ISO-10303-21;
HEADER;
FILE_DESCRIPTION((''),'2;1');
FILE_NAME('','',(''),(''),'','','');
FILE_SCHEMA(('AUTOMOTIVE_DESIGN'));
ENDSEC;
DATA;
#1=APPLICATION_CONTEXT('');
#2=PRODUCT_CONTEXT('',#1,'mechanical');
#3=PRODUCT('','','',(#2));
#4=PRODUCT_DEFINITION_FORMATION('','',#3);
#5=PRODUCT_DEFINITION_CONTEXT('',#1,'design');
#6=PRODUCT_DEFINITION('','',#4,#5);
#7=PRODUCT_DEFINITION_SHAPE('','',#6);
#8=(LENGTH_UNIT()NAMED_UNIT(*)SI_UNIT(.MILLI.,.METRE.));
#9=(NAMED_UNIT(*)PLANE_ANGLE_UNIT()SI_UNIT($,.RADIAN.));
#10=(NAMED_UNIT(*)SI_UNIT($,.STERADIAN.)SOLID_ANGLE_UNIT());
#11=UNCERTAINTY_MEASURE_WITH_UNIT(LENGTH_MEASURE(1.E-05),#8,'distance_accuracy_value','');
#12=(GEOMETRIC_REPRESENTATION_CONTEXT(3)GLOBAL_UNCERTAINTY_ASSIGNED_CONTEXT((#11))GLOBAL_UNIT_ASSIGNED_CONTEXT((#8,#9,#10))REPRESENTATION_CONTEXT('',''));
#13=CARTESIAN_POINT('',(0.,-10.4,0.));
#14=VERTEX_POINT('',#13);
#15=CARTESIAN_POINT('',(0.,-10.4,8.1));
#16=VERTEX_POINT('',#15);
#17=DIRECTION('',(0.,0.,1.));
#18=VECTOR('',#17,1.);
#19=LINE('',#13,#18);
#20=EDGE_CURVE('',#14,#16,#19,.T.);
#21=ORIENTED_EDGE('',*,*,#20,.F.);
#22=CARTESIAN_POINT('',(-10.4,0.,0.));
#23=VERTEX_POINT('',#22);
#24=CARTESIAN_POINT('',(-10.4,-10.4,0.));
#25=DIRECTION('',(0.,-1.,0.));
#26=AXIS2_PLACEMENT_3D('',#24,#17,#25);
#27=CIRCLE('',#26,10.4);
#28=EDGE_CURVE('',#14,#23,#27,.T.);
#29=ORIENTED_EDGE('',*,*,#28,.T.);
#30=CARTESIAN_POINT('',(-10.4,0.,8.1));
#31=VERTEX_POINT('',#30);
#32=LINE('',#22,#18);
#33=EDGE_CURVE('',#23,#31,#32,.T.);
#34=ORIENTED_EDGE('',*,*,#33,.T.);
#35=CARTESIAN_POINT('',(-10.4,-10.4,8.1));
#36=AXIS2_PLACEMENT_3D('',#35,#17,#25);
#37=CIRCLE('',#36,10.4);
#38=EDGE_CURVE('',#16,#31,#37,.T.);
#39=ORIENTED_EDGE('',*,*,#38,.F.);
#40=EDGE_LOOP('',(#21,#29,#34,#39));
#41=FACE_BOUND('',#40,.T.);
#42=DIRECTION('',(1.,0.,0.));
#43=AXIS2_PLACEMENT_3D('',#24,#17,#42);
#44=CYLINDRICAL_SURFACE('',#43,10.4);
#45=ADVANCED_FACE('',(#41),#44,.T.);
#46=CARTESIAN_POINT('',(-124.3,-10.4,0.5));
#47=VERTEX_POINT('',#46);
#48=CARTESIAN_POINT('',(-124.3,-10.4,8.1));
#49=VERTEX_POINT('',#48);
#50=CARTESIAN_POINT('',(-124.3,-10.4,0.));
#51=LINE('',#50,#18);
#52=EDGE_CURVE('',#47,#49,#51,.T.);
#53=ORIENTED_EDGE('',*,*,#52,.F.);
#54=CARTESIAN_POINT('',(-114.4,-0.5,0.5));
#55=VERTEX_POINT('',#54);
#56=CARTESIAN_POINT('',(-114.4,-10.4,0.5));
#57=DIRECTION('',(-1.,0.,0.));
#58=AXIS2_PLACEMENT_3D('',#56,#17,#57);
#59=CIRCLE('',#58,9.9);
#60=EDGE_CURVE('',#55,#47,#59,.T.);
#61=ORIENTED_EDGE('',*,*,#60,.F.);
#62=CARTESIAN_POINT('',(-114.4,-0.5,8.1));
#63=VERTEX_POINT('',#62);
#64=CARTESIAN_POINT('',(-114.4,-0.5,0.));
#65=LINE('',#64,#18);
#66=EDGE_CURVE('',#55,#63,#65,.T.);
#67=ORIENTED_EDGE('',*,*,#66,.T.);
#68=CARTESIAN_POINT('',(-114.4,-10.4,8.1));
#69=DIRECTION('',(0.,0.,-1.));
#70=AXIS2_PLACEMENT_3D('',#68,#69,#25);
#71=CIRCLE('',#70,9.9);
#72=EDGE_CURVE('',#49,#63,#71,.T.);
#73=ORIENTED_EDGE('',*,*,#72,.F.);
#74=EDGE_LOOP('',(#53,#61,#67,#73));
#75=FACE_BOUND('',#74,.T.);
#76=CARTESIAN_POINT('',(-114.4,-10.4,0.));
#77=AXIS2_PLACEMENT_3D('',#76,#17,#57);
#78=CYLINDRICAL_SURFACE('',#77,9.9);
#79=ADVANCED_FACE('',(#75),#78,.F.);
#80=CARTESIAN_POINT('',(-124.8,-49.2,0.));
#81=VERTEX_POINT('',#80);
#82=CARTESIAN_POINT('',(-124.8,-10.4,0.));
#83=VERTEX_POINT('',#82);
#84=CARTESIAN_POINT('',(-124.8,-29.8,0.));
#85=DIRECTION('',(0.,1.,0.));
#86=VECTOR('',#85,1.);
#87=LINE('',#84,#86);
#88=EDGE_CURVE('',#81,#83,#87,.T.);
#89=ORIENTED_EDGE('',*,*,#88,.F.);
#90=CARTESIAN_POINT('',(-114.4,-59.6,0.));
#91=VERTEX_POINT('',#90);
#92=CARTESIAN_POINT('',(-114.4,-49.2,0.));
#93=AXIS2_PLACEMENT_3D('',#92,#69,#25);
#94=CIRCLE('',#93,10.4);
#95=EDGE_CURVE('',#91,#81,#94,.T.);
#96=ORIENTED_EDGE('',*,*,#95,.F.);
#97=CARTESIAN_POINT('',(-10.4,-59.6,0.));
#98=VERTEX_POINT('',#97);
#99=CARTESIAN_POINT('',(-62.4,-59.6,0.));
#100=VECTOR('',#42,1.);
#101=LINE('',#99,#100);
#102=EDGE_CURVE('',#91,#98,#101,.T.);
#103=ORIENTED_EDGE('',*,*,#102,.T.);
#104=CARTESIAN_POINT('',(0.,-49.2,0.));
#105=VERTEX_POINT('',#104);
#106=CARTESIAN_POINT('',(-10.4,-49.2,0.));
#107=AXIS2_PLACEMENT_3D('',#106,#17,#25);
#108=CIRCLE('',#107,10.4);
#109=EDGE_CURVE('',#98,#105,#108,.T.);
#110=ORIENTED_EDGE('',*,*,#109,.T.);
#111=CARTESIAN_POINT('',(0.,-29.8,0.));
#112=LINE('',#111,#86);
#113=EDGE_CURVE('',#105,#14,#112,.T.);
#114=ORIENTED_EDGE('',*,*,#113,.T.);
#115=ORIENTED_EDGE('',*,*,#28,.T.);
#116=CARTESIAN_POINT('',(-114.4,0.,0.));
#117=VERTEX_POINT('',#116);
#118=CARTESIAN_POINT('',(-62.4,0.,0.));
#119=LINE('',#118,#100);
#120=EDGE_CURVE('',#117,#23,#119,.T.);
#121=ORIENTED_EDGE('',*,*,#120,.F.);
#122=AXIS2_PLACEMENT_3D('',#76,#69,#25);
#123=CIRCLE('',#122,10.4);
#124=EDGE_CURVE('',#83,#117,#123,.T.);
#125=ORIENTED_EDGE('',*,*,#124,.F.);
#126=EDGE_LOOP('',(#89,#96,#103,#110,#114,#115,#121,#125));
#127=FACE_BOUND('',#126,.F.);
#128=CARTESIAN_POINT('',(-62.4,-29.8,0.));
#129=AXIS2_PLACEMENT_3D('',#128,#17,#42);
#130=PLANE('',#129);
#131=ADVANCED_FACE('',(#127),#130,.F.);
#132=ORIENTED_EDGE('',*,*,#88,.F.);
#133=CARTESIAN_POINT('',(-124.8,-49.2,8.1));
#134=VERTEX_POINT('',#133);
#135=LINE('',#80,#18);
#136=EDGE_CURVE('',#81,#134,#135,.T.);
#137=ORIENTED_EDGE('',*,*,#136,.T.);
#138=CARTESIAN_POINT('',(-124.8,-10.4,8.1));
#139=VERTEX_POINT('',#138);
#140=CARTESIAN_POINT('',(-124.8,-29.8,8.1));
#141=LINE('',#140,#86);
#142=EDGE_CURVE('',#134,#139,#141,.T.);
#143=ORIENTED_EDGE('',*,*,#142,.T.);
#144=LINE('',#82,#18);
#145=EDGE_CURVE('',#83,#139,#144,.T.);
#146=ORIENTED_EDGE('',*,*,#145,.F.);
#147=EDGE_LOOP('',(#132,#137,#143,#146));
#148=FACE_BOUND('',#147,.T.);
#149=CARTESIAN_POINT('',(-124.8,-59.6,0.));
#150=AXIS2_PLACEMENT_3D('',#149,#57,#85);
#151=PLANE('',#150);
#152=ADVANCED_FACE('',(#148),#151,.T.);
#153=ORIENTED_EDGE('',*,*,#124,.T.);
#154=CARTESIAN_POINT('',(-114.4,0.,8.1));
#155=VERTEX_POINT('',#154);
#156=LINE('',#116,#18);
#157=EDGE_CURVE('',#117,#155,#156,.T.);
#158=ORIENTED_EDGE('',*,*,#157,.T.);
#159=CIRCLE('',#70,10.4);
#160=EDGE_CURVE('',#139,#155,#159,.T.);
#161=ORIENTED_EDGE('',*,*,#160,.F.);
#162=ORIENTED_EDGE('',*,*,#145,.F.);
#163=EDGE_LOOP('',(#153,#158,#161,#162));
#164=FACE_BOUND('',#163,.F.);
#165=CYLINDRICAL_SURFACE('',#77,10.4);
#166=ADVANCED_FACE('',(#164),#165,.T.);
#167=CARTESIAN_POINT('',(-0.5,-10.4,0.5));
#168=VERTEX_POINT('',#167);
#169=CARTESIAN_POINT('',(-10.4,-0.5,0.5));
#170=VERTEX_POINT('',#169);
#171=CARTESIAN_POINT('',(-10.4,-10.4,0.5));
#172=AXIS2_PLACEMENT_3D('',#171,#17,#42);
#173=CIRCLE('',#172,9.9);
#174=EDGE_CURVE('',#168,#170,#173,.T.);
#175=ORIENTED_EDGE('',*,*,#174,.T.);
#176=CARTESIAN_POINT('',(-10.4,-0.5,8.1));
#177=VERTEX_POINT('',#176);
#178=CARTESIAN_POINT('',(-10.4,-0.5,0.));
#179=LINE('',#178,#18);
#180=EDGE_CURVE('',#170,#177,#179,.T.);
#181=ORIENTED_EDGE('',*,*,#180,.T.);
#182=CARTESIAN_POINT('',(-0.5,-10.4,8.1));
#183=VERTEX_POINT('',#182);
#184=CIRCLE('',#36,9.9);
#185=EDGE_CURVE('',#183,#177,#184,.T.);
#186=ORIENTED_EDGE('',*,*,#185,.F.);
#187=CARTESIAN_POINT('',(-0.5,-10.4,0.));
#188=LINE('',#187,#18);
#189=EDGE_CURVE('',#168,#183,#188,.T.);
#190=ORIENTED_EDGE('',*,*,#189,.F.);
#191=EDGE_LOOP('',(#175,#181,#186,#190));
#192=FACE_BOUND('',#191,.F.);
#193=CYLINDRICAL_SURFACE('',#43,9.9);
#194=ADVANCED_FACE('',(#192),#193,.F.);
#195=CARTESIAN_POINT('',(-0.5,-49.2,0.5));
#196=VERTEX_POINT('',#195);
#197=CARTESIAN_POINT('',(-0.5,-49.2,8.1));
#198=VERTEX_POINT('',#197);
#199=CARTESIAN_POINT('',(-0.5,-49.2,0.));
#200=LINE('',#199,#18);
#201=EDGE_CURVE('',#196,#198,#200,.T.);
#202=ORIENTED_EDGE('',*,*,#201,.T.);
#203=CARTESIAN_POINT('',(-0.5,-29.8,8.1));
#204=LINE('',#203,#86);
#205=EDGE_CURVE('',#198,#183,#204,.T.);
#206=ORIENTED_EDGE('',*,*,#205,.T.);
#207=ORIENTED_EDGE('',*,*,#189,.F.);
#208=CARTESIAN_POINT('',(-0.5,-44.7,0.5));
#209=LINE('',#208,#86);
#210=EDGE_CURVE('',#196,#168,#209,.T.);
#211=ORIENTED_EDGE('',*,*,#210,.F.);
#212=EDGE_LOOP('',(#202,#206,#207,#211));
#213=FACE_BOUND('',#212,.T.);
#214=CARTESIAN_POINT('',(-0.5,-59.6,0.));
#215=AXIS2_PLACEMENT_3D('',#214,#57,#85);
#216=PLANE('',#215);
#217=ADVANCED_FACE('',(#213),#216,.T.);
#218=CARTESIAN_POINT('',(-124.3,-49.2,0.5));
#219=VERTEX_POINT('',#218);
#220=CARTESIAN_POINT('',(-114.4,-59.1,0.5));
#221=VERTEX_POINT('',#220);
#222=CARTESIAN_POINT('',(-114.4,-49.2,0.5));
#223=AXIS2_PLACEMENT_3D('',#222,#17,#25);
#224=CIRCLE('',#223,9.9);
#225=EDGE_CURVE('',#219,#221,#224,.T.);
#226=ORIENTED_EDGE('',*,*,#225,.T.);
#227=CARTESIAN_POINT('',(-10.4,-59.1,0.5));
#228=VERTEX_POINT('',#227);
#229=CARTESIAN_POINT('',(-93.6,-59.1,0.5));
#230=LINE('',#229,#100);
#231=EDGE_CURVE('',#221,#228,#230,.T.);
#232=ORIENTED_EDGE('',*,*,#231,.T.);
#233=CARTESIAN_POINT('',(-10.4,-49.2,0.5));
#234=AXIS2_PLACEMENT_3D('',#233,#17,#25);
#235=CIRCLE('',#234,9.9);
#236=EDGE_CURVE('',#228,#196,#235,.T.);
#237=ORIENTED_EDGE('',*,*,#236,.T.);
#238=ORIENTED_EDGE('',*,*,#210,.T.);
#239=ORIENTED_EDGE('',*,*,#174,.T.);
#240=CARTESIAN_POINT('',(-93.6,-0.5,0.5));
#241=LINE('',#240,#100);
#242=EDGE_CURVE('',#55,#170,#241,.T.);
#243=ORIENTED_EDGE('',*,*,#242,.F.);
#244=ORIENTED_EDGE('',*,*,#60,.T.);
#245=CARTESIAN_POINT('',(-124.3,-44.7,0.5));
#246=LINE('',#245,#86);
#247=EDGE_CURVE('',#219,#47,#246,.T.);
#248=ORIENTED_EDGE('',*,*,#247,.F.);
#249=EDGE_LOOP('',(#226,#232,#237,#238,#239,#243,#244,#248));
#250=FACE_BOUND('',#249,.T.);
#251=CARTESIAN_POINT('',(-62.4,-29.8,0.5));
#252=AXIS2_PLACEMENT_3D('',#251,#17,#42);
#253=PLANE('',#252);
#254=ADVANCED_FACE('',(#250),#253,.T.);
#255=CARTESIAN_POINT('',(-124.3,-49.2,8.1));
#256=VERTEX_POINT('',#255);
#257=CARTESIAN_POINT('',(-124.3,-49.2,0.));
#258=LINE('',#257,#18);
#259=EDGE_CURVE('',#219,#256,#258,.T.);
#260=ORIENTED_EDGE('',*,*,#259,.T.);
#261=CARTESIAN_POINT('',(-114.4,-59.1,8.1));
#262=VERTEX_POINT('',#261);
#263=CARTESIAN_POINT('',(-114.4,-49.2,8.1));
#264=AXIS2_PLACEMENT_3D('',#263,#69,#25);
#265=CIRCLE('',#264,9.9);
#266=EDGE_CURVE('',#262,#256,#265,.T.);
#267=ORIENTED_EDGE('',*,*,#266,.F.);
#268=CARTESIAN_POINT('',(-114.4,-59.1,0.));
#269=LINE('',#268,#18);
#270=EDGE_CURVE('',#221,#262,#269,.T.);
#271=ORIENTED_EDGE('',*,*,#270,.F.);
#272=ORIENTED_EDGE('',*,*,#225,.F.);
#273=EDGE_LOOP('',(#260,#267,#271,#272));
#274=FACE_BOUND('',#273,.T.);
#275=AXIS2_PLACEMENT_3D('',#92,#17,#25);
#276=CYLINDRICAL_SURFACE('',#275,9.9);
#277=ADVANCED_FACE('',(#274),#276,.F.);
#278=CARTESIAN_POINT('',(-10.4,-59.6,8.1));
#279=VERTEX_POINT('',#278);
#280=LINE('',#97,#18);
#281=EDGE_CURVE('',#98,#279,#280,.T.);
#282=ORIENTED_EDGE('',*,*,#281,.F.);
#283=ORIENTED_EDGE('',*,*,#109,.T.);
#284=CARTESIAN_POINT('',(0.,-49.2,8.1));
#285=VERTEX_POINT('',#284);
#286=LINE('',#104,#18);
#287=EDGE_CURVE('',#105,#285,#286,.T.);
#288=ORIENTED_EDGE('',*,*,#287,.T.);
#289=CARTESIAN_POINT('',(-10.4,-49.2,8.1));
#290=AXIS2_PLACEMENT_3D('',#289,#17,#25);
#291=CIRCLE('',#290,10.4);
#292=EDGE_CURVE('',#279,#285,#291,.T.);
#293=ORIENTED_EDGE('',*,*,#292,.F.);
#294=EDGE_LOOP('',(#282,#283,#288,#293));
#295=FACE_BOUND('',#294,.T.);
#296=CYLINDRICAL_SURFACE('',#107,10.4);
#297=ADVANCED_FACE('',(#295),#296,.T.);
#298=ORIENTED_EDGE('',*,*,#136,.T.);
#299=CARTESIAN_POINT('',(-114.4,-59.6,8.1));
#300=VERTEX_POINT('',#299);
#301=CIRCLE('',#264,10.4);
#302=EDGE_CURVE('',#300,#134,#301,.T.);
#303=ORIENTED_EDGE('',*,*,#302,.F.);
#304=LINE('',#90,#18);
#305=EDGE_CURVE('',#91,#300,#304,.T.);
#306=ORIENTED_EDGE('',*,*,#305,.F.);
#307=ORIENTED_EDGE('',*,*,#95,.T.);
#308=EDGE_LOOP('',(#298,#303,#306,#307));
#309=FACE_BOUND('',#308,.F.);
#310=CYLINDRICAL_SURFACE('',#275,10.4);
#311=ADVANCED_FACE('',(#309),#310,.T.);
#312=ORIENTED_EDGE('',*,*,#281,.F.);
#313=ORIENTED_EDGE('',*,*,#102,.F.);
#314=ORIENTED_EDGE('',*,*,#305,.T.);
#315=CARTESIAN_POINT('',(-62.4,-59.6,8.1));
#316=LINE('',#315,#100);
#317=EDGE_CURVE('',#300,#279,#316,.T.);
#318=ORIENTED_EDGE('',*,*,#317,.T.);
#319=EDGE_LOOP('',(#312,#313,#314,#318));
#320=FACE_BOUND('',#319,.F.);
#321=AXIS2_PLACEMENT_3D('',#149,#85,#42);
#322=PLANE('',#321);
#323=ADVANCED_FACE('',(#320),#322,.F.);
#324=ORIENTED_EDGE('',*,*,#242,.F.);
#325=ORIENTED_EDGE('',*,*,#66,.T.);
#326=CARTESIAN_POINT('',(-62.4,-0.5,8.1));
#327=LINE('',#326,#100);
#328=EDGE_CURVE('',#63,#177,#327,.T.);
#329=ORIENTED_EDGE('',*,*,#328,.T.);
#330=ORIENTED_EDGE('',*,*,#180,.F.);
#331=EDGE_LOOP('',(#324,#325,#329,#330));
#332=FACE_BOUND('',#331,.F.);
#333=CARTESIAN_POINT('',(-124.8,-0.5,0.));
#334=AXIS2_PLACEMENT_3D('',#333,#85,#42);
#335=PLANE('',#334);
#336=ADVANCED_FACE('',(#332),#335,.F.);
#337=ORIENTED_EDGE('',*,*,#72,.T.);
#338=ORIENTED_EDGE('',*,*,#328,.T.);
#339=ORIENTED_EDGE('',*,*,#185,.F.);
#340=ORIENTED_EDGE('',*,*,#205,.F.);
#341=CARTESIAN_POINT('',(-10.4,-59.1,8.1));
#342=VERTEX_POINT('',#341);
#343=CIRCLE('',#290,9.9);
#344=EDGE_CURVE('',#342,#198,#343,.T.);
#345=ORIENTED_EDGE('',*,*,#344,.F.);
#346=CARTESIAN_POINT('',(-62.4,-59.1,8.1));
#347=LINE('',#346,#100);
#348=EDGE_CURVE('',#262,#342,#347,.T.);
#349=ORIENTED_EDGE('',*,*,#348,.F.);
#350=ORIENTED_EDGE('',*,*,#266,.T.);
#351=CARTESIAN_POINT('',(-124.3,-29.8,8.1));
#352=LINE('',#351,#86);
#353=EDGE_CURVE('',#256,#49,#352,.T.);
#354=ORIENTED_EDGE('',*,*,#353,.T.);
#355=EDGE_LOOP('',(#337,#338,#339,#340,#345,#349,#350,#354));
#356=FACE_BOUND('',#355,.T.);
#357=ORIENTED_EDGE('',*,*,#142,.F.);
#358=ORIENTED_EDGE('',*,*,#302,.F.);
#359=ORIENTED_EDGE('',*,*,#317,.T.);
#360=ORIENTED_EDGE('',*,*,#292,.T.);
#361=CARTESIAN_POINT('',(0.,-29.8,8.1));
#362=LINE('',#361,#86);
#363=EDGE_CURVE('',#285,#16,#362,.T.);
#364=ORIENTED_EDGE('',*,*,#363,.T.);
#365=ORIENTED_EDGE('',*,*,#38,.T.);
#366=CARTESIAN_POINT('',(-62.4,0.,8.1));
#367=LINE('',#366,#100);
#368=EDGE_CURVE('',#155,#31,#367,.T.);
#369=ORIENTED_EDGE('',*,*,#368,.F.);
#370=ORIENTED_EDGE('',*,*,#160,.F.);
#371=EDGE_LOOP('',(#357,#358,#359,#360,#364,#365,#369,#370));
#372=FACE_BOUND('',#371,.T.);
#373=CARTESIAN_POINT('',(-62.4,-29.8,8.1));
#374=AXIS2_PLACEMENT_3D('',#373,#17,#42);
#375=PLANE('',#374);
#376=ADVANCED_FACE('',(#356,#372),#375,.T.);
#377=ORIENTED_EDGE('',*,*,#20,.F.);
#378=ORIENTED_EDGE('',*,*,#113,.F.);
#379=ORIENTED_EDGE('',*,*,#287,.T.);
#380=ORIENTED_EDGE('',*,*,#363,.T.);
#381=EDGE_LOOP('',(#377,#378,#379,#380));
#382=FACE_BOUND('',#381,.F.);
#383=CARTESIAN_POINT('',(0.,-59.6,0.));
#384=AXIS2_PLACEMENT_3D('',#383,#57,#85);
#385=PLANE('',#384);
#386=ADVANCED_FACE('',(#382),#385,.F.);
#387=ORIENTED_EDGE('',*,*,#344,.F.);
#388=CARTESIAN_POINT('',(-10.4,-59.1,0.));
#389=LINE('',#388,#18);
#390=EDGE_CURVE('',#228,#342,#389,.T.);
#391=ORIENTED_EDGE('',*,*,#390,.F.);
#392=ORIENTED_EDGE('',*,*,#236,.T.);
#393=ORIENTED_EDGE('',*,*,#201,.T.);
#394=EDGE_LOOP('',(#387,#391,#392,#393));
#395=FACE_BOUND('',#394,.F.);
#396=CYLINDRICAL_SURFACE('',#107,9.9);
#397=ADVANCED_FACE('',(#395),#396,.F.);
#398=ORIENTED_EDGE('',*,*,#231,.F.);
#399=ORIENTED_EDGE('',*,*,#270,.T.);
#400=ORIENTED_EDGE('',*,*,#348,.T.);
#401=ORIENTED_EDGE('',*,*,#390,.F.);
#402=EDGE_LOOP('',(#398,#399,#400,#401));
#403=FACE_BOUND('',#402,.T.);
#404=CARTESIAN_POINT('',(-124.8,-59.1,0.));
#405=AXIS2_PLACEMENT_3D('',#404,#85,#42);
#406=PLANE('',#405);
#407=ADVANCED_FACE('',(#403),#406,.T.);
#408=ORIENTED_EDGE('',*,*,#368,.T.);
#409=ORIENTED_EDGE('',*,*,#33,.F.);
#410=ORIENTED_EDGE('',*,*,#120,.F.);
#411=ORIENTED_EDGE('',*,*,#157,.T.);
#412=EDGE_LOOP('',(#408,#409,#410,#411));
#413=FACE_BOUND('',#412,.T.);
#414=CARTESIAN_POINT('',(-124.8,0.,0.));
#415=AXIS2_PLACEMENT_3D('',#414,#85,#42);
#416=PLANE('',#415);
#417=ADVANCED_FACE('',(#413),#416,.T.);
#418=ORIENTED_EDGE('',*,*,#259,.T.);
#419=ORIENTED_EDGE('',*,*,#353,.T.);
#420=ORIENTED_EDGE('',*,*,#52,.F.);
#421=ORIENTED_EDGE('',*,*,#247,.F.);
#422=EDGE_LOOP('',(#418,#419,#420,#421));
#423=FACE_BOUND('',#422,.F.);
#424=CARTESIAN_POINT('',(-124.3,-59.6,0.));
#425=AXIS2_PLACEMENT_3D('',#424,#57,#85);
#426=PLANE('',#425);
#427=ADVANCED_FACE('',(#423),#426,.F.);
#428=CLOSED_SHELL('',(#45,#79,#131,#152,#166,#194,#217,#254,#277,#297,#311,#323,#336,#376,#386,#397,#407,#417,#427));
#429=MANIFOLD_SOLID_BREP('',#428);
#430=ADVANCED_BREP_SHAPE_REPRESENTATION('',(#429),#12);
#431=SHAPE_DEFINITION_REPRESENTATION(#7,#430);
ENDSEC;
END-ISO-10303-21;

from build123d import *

# Parameters (mm, degrees)
F0_W     = 124.8
F0_H     = 59.6
F1_DEPTH = 8.1
F2_R     = 10.4
F3_R     = 10.4
F4_T     = -0.5


with BuildPart() as f1:
    # F0 (on Top) → F1 (new body)
    with BuildSketch(Plane.XY):
        with Locations((-62.4, -29.8)):
            Rectangle(F0_W, F0_H)
    extrude(amount=F1_DEPTH)

    # F2
    f2_edges = [f1.edges().sort_by_distance(p)[0] for p in [
        (0, -59.6, 4.05),
    ]]
    fillet(f2_edges, radius=F2_R)

    # F3
    f3_edges = [f1.edges().sort_by_distance(p)[0] for p in [
        (0, 0, 4.05),
        (-124.8, -59.6, 4.05),
        (-124.8, 0, 4.05),
    ]]
    fillet(f3_edges, radius=F3_R)

    # F4
    f4_openings = [f1.faces().sort_by_distance(p)[0] for p in [
        (-62.4, -29.8, 8.1),
    ]]
    offset(amount=F4_T, openings=f4_openings)


solid = f1.part
